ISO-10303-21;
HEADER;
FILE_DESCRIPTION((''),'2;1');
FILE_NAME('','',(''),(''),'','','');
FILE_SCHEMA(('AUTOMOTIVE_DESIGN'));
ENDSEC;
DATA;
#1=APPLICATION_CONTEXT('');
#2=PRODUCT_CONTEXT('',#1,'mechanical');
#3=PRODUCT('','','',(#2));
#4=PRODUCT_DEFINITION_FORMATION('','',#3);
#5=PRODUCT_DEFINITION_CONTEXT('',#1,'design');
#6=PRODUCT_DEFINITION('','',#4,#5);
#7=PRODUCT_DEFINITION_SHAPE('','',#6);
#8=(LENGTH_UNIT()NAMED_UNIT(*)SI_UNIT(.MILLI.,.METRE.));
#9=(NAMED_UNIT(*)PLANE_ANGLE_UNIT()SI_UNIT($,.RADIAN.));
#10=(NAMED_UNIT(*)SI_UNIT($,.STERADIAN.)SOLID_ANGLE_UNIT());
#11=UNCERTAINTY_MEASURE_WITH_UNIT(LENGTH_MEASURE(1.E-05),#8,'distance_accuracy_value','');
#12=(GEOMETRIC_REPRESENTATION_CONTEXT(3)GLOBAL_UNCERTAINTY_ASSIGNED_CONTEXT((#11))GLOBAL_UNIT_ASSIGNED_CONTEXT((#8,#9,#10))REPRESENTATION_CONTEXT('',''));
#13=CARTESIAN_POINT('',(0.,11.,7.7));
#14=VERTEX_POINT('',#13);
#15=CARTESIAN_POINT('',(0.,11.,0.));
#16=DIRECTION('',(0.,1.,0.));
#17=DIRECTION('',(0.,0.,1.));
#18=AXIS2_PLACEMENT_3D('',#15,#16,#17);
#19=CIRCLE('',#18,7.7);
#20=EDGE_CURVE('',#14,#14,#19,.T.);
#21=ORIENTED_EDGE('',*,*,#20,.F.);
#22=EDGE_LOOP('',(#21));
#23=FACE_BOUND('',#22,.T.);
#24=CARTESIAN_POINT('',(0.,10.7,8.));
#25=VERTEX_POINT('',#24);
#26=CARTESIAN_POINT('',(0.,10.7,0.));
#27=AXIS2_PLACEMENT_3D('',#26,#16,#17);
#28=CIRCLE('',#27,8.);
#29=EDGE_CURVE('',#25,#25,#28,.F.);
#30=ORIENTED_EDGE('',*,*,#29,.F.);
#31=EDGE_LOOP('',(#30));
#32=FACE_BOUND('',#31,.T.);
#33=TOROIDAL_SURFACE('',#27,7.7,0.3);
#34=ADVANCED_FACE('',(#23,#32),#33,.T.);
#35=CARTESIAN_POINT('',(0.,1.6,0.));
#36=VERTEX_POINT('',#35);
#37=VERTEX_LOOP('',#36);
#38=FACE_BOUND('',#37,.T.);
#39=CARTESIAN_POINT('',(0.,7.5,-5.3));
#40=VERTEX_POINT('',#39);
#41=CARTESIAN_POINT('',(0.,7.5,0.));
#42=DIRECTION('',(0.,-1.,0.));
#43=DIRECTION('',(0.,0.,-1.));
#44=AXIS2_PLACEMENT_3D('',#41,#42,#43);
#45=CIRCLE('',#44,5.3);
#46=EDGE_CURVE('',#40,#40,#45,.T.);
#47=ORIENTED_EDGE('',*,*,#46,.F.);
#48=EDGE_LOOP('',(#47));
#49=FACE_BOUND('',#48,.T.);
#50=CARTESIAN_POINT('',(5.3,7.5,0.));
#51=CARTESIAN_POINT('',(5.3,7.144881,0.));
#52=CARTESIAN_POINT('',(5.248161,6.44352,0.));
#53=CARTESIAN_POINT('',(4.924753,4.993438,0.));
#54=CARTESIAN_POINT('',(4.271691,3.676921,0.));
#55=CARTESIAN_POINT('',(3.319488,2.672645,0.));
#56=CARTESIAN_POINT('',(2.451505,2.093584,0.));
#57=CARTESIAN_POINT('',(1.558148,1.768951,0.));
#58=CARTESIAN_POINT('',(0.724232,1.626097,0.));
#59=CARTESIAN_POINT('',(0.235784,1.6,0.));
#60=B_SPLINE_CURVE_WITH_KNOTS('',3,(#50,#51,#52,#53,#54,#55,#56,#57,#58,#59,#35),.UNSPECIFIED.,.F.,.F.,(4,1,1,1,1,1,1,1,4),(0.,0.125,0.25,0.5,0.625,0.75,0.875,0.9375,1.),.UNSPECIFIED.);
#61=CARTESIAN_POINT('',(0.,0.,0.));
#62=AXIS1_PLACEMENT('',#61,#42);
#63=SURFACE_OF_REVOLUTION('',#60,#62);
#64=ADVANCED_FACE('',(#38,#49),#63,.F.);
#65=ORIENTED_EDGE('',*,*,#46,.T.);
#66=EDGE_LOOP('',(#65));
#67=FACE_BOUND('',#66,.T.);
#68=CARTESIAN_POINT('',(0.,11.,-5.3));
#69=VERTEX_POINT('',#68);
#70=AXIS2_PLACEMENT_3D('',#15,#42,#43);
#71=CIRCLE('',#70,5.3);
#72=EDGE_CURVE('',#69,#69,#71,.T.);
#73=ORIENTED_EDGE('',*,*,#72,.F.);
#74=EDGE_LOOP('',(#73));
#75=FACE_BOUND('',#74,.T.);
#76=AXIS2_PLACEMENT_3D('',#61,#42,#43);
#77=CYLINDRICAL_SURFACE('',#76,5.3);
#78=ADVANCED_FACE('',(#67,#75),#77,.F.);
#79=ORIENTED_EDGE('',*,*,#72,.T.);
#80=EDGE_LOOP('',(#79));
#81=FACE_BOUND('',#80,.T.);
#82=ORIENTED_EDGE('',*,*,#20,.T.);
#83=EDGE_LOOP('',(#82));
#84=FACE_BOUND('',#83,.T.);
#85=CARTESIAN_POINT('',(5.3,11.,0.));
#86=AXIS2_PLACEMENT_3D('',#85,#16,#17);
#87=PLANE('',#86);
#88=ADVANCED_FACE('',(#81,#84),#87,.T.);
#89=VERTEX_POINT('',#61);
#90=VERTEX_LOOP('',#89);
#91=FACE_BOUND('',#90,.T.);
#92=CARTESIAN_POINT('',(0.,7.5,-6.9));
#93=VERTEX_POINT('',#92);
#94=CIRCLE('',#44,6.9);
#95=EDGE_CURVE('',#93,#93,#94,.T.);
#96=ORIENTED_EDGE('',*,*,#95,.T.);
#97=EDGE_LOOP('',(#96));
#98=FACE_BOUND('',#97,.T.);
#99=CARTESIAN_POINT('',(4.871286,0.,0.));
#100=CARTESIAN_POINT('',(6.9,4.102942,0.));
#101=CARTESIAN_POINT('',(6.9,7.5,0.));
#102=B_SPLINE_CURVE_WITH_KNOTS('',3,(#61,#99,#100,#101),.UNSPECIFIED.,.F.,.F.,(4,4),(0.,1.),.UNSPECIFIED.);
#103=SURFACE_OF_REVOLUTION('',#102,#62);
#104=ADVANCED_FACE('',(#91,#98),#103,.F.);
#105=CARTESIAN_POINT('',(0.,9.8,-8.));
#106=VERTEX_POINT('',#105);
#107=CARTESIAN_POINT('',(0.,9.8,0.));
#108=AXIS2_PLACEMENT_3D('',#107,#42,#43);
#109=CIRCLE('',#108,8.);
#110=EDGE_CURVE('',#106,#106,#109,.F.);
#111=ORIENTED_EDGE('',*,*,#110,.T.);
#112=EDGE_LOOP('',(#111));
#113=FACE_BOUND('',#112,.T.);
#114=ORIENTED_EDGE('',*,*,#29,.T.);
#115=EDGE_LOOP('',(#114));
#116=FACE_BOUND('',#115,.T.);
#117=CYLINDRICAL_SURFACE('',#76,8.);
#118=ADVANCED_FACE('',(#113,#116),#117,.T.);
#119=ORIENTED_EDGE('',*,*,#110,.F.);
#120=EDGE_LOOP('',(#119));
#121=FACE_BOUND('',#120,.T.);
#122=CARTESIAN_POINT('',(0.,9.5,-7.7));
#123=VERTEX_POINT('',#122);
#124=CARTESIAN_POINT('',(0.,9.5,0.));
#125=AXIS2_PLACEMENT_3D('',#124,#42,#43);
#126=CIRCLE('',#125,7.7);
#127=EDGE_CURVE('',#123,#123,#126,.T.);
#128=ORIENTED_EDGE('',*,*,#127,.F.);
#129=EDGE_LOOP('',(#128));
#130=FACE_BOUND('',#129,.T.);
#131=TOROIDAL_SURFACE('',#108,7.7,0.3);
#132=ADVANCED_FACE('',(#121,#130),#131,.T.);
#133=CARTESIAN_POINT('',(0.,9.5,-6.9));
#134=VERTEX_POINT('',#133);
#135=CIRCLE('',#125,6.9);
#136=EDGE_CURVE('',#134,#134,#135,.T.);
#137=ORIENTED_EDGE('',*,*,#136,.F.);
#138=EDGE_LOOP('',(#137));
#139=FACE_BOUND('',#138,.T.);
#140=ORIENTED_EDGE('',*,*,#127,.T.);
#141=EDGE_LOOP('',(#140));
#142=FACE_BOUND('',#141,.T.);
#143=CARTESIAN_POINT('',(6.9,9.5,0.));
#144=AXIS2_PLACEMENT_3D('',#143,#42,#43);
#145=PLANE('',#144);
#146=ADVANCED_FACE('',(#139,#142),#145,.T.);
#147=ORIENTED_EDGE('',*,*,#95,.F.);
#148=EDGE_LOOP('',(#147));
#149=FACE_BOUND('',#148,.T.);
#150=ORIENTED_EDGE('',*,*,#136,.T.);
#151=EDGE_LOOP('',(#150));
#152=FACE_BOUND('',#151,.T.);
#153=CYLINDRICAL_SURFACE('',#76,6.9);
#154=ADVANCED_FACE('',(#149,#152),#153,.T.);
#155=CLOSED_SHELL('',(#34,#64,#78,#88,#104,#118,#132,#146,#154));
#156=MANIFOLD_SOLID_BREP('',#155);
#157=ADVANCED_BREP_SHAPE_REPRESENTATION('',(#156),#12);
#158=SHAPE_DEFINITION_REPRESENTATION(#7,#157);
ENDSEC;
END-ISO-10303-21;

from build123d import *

# Parameters (mm, degrees)
FILLET1_R = 0.3


with BuildPart() as part:
    # Sketch1 → Revolve3 (revolve)
    with BuildSketch(Plane.XY, mode=Mode.PRIVATE) as revolve3_sk:
        with BuildLine():
            Line((6.9, 9.5), (6.9, 7.5))
            add(Edge.make_bspline(
                [(6.9, 7.5), (6.9, 4.10294245), (4.871285713, 0), (0, 0)],
                knots=[0, 0, 0, 0, 1, 1, 1, 1], degree=3))
            Line((0, 0), (0, 1.6))
            add(Edge.make_bspline(
                [(5.3, 7.5), (5.3, 7.144881401), (5.24816132, 6.443519854), (4.924753283, 4.993438199), (4.271690968, 3.676921203), (3.319488403, 2.672645151), (2.451505389, 2.093584156), (1.558148415, 1.768951237), (0.724232404, 1.626097054), (0.235783562, 1.6), (0, 1.6)],
                knots=[0, 0, 0, 0, 0.125, 0.25, 0.5, 0.625, 0.75, 0.875, 0.9375, 1, 1, 1, 1], degree=3))
            Line((5.3, 7.5), (5.3, 11))
            Line((5.3, 11), (6.9, 11))
            Line((6.9, 11), (8, 11))
            Line((8, 11), (8, 9.5))
            Line((8, 9.5), (6.9, 9.5))
        make_face()
    revolve(revolve3_sk.sketch.rotate(Axis((0, 0, 0), (0, 1, 0)), 90), axis=Axis((0, 0, 0), (0, 1, 0)))

    # Fillet1
    fillet1_edges = [part.edges().sort_by_distance(p)[0] for p in [
        (0, 11, 8),
        (0, 9.5, 8),
    ]]
    fillet(fillet1_edges, radius=FILLET1_R)


solid = part.part
